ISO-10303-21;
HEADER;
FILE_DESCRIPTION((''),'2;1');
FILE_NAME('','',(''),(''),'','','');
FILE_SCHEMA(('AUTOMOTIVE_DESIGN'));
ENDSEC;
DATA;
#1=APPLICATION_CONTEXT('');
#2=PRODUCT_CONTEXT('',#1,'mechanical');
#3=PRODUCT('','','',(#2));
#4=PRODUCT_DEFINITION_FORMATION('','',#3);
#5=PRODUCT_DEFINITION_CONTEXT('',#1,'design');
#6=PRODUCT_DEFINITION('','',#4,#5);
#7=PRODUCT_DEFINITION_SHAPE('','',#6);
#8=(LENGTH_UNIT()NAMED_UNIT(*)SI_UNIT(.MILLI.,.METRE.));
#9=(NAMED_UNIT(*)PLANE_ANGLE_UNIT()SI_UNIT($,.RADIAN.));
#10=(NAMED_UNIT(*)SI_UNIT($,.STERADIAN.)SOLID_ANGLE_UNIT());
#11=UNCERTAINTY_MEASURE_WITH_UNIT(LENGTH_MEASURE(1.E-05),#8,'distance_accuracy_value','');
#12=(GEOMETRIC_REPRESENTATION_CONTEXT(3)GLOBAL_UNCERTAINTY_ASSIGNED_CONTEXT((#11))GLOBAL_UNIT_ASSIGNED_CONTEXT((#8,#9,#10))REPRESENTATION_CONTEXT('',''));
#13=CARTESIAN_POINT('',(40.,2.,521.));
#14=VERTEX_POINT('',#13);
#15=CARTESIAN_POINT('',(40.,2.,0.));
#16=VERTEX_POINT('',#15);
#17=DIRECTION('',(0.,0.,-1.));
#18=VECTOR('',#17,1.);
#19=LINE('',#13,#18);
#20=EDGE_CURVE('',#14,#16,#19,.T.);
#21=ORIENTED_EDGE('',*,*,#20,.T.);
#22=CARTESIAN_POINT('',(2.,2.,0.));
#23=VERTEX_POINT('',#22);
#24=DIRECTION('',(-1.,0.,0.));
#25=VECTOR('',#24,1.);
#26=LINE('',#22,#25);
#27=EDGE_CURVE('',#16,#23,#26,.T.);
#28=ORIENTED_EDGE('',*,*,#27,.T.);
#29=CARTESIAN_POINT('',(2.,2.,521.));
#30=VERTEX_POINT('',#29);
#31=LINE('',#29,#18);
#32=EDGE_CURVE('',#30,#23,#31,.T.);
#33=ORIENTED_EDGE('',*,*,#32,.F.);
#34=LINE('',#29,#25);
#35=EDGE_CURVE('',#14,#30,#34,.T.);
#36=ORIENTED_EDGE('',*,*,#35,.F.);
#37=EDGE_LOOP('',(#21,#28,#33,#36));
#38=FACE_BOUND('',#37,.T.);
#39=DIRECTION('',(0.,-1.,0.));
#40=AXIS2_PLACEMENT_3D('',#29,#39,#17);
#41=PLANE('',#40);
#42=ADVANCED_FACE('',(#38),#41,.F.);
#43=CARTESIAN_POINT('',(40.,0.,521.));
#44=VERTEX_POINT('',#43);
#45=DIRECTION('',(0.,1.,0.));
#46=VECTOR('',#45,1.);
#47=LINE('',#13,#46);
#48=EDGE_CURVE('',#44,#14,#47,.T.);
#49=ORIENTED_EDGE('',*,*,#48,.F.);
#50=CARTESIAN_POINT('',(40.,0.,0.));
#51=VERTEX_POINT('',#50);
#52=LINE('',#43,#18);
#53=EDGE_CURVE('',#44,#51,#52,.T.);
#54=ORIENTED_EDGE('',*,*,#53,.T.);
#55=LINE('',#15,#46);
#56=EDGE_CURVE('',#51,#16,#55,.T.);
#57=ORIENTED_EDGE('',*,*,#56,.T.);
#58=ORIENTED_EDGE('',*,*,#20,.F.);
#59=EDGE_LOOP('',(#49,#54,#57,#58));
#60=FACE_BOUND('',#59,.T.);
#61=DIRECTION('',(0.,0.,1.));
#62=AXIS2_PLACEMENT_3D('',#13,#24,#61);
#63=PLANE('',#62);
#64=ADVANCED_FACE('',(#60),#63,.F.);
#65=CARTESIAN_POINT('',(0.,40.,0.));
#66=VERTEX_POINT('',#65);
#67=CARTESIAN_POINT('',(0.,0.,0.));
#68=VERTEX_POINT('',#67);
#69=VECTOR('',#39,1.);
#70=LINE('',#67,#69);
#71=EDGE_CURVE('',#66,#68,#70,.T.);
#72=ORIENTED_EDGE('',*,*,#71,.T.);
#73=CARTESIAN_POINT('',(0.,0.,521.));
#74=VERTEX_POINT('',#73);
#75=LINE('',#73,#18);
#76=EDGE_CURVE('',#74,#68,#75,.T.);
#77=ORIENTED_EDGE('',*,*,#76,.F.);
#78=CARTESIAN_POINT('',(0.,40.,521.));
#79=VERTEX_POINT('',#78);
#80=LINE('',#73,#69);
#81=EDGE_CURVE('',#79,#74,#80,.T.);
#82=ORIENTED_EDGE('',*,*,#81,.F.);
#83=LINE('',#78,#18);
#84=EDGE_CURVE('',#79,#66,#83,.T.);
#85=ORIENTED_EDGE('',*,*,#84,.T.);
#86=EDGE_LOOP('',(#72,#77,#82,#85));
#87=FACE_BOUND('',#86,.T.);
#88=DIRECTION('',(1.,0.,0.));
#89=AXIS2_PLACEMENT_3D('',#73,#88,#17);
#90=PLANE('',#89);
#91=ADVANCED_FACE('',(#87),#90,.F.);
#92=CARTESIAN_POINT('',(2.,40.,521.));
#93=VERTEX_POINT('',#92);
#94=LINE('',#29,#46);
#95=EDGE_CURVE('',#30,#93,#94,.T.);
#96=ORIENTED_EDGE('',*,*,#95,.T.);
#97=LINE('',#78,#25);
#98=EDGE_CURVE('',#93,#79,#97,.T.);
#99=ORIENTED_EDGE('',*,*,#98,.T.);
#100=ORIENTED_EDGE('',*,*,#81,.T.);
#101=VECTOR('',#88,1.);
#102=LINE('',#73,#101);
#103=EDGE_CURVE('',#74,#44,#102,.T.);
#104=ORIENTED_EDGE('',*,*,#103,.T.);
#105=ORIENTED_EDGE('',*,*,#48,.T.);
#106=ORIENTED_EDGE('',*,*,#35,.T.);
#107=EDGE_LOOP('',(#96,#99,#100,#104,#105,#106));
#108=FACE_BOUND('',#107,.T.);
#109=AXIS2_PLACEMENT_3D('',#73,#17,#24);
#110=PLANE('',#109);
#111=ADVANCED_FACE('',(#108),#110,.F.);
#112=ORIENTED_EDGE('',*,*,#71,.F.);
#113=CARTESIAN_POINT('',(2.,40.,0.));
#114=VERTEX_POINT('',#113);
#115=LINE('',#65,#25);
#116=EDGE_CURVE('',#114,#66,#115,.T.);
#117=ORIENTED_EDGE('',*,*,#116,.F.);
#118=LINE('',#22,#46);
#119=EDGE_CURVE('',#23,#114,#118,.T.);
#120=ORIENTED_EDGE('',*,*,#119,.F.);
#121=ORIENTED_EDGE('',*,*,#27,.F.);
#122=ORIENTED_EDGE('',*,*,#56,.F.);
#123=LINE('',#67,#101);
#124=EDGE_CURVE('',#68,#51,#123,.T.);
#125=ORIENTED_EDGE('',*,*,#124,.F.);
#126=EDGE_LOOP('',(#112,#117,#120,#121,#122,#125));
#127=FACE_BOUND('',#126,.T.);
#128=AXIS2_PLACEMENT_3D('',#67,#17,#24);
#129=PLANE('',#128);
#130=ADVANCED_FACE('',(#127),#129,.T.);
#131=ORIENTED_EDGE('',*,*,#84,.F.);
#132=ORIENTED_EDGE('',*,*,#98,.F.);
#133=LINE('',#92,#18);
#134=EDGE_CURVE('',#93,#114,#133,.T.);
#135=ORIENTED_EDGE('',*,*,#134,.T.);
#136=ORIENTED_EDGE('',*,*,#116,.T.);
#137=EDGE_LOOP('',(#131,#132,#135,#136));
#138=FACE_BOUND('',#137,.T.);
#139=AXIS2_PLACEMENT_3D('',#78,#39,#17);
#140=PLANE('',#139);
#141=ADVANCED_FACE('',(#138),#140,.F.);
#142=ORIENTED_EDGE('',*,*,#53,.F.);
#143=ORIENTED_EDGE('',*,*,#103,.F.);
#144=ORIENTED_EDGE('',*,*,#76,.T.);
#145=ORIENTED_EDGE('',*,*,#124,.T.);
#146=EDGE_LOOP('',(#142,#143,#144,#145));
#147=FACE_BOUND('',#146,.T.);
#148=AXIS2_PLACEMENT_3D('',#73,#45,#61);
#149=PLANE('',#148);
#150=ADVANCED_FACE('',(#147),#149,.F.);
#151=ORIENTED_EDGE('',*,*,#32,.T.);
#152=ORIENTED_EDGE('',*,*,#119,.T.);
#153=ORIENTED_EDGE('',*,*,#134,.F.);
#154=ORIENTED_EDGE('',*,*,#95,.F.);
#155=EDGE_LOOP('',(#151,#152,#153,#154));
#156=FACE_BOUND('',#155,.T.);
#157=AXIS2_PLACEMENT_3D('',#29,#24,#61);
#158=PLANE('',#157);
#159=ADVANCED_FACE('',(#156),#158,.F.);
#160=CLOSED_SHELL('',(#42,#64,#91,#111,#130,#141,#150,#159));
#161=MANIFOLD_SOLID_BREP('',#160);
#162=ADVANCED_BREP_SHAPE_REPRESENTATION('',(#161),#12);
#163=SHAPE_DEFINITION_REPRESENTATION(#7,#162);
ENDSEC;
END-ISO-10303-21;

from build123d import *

# Parameters (mm, degrees)
BOSS_EXTRUDE1_DEPTH = 521


with BuildPart() as part:
    # Sketch1 → Boss-Extrude1 (new body)
    with BuildSketch(Plane.XY):
        Polygon((0, 0), (0, 40), (2, 40), (2, 2), (40, 2), (40, 0), align=None)
    extrude(amount=BOSS_EXTRUDE1_DEPTH)


solid = part.part
